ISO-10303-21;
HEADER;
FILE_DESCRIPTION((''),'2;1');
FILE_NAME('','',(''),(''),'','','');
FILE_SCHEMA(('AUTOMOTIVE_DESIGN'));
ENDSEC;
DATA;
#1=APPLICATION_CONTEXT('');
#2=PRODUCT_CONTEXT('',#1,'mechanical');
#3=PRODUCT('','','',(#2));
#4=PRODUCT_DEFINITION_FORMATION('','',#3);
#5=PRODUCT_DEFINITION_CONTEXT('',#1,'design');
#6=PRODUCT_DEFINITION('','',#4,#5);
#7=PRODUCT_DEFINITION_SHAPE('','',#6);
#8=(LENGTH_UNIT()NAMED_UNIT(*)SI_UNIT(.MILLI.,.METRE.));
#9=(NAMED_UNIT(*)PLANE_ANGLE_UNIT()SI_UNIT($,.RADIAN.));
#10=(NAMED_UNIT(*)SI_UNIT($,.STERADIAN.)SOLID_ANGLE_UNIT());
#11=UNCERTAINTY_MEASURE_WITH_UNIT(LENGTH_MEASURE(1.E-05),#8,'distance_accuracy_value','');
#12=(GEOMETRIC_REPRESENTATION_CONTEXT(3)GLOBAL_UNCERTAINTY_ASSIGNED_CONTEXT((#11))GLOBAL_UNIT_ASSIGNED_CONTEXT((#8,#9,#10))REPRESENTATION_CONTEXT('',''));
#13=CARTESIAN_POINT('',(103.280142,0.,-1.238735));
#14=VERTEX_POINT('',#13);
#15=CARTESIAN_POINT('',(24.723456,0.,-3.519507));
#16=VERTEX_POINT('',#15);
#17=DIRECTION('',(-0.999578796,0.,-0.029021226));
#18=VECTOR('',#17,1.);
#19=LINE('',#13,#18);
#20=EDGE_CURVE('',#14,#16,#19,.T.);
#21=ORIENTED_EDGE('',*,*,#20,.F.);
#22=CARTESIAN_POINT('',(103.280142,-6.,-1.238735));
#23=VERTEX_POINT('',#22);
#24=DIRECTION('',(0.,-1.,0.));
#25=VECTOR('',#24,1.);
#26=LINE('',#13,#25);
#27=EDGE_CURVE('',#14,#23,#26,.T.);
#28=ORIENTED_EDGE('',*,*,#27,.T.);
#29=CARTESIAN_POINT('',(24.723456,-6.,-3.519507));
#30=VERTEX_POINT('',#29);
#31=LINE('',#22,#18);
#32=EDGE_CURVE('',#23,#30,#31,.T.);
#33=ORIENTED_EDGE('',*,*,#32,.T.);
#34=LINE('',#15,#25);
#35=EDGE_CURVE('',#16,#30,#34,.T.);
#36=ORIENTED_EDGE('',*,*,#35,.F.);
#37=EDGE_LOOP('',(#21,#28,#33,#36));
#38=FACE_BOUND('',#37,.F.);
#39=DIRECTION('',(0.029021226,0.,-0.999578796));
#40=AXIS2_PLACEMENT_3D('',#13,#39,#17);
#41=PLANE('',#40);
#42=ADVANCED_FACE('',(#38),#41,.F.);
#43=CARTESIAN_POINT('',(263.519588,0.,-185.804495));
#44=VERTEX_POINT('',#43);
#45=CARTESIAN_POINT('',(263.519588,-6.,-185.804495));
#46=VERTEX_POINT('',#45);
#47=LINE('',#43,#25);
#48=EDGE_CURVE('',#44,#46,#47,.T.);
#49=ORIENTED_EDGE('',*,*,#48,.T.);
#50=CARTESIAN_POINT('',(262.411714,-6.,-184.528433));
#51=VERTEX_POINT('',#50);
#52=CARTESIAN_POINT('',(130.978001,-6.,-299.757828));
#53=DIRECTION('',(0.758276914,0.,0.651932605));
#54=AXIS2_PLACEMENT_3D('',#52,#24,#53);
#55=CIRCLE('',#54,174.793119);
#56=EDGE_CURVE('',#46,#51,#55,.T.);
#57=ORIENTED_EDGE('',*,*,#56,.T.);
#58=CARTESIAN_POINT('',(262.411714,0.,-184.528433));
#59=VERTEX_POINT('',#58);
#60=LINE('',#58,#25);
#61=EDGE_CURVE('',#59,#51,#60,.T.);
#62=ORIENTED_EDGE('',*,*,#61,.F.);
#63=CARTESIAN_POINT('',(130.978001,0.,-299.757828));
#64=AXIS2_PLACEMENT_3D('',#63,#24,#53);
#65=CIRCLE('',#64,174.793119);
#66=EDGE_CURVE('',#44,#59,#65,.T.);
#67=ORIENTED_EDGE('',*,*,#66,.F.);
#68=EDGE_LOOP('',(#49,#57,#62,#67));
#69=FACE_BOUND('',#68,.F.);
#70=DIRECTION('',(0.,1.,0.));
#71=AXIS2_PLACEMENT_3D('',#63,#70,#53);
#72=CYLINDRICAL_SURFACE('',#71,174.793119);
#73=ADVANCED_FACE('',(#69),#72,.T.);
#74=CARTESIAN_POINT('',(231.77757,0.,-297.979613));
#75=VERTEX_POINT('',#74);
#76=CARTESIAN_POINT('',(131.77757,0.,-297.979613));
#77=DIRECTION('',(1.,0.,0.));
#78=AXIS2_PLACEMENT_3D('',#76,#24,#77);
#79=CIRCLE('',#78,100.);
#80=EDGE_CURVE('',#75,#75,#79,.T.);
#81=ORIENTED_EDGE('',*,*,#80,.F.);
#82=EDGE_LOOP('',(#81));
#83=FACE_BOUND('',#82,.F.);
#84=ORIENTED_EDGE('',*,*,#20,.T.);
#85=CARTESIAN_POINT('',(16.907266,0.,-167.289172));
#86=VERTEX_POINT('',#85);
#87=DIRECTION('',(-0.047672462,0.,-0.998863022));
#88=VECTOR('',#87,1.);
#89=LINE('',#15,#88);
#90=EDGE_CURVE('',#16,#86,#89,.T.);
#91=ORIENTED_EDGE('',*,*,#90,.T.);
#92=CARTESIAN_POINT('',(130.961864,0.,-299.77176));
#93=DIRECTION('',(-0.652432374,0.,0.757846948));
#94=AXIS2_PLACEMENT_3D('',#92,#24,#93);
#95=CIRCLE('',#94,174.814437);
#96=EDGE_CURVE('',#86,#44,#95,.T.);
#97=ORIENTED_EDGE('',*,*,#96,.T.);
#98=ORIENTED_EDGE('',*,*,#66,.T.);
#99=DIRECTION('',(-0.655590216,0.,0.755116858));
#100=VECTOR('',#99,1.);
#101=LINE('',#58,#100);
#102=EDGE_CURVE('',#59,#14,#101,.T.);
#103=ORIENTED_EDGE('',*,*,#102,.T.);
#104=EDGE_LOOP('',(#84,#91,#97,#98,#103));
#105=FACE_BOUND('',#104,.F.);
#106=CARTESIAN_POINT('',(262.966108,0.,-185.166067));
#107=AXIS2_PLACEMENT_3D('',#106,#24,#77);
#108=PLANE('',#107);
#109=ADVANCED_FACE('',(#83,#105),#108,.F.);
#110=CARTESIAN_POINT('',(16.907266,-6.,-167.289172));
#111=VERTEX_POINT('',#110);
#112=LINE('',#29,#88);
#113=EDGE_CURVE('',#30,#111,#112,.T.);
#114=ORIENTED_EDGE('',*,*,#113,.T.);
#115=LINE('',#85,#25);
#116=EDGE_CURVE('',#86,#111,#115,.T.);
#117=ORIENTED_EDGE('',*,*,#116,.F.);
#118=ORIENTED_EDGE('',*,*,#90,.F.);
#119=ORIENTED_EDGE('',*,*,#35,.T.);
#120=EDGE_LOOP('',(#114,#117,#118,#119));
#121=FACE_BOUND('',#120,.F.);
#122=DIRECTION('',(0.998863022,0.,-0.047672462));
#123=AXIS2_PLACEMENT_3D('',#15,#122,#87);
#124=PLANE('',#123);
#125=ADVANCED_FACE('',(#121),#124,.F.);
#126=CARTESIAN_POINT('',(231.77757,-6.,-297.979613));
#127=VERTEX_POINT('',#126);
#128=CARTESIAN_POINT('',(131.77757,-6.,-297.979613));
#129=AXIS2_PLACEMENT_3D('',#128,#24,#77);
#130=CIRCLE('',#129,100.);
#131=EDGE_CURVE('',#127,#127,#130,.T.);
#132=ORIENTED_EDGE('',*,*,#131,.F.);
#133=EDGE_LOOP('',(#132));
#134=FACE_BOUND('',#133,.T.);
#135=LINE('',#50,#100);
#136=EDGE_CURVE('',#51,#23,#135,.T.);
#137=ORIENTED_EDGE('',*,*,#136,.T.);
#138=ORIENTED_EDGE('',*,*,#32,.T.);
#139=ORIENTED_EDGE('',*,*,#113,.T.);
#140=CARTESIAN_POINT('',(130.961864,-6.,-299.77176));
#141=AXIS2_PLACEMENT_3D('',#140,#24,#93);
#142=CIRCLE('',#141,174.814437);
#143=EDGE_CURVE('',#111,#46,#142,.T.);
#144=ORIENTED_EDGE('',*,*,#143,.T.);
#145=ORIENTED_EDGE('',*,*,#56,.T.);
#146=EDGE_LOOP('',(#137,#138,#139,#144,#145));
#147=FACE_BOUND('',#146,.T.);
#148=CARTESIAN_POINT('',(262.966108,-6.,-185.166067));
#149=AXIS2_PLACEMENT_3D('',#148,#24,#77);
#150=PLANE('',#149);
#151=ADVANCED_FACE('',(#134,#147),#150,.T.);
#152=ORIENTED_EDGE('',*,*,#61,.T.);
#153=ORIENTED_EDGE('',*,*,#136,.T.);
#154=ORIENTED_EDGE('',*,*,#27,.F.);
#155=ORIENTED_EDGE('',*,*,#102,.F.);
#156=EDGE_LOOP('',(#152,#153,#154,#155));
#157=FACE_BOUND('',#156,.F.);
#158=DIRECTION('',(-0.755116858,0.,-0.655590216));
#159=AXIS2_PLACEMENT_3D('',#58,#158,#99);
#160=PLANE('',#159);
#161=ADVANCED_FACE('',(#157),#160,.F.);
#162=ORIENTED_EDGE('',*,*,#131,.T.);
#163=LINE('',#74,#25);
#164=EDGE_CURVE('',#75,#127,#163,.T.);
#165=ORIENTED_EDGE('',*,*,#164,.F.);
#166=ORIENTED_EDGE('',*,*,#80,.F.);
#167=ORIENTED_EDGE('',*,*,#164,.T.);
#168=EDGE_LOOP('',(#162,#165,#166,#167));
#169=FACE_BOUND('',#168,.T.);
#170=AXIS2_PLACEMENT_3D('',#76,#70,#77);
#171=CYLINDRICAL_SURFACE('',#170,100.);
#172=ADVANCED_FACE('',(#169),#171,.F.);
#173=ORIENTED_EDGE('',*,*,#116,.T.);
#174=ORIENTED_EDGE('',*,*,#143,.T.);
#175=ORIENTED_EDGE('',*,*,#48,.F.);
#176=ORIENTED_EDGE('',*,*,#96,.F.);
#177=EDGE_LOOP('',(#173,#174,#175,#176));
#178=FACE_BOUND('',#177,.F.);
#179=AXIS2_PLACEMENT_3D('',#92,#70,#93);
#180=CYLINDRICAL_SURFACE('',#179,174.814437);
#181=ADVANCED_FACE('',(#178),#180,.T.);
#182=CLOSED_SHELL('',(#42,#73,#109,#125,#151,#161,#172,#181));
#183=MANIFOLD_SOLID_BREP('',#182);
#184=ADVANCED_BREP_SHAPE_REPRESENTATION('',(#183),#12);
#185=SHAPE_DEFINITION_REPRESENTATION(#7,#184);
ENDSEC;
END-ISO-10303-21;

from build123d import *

# Parameters (mm, degrees)
F0_R     = 100
F1_DEPTH = 6


with BuildPart() as f1:
    # F0 (on Front) → F1 (new body)
    with BuildSketch(Plane.XZ):
        with BuildLine():
            Line((262.411714, -184.528433), (263.519588, -185.804495))
            ThreePointArc((263.519588, -185.804495), (262.967193, -185.165125), (262.411714, -184.528433))
        make_face()
        with BuildLine():
            Line((24.723456, -3.519507), (16.907266, -167.289172))
            ThreePointArc((16.907266, -167.289172), (117.873865, -474.095573), (263.519588, -185.804495))
            Line((263.519588, -185.804495), (262.411714, -184.528433))
            Line((262.411714, -184.528433), (103.280142, -1.238735))
            Line((103.280142, -1.238735), (24.723456, -3.519507))
        make_face()
        with Locations((131.77757, -297.979613)):
            Circle(F0_R, mode=Mode.SUBTRACT)
    extrude(amount=F1_DEPTH)


solid = f1.part
